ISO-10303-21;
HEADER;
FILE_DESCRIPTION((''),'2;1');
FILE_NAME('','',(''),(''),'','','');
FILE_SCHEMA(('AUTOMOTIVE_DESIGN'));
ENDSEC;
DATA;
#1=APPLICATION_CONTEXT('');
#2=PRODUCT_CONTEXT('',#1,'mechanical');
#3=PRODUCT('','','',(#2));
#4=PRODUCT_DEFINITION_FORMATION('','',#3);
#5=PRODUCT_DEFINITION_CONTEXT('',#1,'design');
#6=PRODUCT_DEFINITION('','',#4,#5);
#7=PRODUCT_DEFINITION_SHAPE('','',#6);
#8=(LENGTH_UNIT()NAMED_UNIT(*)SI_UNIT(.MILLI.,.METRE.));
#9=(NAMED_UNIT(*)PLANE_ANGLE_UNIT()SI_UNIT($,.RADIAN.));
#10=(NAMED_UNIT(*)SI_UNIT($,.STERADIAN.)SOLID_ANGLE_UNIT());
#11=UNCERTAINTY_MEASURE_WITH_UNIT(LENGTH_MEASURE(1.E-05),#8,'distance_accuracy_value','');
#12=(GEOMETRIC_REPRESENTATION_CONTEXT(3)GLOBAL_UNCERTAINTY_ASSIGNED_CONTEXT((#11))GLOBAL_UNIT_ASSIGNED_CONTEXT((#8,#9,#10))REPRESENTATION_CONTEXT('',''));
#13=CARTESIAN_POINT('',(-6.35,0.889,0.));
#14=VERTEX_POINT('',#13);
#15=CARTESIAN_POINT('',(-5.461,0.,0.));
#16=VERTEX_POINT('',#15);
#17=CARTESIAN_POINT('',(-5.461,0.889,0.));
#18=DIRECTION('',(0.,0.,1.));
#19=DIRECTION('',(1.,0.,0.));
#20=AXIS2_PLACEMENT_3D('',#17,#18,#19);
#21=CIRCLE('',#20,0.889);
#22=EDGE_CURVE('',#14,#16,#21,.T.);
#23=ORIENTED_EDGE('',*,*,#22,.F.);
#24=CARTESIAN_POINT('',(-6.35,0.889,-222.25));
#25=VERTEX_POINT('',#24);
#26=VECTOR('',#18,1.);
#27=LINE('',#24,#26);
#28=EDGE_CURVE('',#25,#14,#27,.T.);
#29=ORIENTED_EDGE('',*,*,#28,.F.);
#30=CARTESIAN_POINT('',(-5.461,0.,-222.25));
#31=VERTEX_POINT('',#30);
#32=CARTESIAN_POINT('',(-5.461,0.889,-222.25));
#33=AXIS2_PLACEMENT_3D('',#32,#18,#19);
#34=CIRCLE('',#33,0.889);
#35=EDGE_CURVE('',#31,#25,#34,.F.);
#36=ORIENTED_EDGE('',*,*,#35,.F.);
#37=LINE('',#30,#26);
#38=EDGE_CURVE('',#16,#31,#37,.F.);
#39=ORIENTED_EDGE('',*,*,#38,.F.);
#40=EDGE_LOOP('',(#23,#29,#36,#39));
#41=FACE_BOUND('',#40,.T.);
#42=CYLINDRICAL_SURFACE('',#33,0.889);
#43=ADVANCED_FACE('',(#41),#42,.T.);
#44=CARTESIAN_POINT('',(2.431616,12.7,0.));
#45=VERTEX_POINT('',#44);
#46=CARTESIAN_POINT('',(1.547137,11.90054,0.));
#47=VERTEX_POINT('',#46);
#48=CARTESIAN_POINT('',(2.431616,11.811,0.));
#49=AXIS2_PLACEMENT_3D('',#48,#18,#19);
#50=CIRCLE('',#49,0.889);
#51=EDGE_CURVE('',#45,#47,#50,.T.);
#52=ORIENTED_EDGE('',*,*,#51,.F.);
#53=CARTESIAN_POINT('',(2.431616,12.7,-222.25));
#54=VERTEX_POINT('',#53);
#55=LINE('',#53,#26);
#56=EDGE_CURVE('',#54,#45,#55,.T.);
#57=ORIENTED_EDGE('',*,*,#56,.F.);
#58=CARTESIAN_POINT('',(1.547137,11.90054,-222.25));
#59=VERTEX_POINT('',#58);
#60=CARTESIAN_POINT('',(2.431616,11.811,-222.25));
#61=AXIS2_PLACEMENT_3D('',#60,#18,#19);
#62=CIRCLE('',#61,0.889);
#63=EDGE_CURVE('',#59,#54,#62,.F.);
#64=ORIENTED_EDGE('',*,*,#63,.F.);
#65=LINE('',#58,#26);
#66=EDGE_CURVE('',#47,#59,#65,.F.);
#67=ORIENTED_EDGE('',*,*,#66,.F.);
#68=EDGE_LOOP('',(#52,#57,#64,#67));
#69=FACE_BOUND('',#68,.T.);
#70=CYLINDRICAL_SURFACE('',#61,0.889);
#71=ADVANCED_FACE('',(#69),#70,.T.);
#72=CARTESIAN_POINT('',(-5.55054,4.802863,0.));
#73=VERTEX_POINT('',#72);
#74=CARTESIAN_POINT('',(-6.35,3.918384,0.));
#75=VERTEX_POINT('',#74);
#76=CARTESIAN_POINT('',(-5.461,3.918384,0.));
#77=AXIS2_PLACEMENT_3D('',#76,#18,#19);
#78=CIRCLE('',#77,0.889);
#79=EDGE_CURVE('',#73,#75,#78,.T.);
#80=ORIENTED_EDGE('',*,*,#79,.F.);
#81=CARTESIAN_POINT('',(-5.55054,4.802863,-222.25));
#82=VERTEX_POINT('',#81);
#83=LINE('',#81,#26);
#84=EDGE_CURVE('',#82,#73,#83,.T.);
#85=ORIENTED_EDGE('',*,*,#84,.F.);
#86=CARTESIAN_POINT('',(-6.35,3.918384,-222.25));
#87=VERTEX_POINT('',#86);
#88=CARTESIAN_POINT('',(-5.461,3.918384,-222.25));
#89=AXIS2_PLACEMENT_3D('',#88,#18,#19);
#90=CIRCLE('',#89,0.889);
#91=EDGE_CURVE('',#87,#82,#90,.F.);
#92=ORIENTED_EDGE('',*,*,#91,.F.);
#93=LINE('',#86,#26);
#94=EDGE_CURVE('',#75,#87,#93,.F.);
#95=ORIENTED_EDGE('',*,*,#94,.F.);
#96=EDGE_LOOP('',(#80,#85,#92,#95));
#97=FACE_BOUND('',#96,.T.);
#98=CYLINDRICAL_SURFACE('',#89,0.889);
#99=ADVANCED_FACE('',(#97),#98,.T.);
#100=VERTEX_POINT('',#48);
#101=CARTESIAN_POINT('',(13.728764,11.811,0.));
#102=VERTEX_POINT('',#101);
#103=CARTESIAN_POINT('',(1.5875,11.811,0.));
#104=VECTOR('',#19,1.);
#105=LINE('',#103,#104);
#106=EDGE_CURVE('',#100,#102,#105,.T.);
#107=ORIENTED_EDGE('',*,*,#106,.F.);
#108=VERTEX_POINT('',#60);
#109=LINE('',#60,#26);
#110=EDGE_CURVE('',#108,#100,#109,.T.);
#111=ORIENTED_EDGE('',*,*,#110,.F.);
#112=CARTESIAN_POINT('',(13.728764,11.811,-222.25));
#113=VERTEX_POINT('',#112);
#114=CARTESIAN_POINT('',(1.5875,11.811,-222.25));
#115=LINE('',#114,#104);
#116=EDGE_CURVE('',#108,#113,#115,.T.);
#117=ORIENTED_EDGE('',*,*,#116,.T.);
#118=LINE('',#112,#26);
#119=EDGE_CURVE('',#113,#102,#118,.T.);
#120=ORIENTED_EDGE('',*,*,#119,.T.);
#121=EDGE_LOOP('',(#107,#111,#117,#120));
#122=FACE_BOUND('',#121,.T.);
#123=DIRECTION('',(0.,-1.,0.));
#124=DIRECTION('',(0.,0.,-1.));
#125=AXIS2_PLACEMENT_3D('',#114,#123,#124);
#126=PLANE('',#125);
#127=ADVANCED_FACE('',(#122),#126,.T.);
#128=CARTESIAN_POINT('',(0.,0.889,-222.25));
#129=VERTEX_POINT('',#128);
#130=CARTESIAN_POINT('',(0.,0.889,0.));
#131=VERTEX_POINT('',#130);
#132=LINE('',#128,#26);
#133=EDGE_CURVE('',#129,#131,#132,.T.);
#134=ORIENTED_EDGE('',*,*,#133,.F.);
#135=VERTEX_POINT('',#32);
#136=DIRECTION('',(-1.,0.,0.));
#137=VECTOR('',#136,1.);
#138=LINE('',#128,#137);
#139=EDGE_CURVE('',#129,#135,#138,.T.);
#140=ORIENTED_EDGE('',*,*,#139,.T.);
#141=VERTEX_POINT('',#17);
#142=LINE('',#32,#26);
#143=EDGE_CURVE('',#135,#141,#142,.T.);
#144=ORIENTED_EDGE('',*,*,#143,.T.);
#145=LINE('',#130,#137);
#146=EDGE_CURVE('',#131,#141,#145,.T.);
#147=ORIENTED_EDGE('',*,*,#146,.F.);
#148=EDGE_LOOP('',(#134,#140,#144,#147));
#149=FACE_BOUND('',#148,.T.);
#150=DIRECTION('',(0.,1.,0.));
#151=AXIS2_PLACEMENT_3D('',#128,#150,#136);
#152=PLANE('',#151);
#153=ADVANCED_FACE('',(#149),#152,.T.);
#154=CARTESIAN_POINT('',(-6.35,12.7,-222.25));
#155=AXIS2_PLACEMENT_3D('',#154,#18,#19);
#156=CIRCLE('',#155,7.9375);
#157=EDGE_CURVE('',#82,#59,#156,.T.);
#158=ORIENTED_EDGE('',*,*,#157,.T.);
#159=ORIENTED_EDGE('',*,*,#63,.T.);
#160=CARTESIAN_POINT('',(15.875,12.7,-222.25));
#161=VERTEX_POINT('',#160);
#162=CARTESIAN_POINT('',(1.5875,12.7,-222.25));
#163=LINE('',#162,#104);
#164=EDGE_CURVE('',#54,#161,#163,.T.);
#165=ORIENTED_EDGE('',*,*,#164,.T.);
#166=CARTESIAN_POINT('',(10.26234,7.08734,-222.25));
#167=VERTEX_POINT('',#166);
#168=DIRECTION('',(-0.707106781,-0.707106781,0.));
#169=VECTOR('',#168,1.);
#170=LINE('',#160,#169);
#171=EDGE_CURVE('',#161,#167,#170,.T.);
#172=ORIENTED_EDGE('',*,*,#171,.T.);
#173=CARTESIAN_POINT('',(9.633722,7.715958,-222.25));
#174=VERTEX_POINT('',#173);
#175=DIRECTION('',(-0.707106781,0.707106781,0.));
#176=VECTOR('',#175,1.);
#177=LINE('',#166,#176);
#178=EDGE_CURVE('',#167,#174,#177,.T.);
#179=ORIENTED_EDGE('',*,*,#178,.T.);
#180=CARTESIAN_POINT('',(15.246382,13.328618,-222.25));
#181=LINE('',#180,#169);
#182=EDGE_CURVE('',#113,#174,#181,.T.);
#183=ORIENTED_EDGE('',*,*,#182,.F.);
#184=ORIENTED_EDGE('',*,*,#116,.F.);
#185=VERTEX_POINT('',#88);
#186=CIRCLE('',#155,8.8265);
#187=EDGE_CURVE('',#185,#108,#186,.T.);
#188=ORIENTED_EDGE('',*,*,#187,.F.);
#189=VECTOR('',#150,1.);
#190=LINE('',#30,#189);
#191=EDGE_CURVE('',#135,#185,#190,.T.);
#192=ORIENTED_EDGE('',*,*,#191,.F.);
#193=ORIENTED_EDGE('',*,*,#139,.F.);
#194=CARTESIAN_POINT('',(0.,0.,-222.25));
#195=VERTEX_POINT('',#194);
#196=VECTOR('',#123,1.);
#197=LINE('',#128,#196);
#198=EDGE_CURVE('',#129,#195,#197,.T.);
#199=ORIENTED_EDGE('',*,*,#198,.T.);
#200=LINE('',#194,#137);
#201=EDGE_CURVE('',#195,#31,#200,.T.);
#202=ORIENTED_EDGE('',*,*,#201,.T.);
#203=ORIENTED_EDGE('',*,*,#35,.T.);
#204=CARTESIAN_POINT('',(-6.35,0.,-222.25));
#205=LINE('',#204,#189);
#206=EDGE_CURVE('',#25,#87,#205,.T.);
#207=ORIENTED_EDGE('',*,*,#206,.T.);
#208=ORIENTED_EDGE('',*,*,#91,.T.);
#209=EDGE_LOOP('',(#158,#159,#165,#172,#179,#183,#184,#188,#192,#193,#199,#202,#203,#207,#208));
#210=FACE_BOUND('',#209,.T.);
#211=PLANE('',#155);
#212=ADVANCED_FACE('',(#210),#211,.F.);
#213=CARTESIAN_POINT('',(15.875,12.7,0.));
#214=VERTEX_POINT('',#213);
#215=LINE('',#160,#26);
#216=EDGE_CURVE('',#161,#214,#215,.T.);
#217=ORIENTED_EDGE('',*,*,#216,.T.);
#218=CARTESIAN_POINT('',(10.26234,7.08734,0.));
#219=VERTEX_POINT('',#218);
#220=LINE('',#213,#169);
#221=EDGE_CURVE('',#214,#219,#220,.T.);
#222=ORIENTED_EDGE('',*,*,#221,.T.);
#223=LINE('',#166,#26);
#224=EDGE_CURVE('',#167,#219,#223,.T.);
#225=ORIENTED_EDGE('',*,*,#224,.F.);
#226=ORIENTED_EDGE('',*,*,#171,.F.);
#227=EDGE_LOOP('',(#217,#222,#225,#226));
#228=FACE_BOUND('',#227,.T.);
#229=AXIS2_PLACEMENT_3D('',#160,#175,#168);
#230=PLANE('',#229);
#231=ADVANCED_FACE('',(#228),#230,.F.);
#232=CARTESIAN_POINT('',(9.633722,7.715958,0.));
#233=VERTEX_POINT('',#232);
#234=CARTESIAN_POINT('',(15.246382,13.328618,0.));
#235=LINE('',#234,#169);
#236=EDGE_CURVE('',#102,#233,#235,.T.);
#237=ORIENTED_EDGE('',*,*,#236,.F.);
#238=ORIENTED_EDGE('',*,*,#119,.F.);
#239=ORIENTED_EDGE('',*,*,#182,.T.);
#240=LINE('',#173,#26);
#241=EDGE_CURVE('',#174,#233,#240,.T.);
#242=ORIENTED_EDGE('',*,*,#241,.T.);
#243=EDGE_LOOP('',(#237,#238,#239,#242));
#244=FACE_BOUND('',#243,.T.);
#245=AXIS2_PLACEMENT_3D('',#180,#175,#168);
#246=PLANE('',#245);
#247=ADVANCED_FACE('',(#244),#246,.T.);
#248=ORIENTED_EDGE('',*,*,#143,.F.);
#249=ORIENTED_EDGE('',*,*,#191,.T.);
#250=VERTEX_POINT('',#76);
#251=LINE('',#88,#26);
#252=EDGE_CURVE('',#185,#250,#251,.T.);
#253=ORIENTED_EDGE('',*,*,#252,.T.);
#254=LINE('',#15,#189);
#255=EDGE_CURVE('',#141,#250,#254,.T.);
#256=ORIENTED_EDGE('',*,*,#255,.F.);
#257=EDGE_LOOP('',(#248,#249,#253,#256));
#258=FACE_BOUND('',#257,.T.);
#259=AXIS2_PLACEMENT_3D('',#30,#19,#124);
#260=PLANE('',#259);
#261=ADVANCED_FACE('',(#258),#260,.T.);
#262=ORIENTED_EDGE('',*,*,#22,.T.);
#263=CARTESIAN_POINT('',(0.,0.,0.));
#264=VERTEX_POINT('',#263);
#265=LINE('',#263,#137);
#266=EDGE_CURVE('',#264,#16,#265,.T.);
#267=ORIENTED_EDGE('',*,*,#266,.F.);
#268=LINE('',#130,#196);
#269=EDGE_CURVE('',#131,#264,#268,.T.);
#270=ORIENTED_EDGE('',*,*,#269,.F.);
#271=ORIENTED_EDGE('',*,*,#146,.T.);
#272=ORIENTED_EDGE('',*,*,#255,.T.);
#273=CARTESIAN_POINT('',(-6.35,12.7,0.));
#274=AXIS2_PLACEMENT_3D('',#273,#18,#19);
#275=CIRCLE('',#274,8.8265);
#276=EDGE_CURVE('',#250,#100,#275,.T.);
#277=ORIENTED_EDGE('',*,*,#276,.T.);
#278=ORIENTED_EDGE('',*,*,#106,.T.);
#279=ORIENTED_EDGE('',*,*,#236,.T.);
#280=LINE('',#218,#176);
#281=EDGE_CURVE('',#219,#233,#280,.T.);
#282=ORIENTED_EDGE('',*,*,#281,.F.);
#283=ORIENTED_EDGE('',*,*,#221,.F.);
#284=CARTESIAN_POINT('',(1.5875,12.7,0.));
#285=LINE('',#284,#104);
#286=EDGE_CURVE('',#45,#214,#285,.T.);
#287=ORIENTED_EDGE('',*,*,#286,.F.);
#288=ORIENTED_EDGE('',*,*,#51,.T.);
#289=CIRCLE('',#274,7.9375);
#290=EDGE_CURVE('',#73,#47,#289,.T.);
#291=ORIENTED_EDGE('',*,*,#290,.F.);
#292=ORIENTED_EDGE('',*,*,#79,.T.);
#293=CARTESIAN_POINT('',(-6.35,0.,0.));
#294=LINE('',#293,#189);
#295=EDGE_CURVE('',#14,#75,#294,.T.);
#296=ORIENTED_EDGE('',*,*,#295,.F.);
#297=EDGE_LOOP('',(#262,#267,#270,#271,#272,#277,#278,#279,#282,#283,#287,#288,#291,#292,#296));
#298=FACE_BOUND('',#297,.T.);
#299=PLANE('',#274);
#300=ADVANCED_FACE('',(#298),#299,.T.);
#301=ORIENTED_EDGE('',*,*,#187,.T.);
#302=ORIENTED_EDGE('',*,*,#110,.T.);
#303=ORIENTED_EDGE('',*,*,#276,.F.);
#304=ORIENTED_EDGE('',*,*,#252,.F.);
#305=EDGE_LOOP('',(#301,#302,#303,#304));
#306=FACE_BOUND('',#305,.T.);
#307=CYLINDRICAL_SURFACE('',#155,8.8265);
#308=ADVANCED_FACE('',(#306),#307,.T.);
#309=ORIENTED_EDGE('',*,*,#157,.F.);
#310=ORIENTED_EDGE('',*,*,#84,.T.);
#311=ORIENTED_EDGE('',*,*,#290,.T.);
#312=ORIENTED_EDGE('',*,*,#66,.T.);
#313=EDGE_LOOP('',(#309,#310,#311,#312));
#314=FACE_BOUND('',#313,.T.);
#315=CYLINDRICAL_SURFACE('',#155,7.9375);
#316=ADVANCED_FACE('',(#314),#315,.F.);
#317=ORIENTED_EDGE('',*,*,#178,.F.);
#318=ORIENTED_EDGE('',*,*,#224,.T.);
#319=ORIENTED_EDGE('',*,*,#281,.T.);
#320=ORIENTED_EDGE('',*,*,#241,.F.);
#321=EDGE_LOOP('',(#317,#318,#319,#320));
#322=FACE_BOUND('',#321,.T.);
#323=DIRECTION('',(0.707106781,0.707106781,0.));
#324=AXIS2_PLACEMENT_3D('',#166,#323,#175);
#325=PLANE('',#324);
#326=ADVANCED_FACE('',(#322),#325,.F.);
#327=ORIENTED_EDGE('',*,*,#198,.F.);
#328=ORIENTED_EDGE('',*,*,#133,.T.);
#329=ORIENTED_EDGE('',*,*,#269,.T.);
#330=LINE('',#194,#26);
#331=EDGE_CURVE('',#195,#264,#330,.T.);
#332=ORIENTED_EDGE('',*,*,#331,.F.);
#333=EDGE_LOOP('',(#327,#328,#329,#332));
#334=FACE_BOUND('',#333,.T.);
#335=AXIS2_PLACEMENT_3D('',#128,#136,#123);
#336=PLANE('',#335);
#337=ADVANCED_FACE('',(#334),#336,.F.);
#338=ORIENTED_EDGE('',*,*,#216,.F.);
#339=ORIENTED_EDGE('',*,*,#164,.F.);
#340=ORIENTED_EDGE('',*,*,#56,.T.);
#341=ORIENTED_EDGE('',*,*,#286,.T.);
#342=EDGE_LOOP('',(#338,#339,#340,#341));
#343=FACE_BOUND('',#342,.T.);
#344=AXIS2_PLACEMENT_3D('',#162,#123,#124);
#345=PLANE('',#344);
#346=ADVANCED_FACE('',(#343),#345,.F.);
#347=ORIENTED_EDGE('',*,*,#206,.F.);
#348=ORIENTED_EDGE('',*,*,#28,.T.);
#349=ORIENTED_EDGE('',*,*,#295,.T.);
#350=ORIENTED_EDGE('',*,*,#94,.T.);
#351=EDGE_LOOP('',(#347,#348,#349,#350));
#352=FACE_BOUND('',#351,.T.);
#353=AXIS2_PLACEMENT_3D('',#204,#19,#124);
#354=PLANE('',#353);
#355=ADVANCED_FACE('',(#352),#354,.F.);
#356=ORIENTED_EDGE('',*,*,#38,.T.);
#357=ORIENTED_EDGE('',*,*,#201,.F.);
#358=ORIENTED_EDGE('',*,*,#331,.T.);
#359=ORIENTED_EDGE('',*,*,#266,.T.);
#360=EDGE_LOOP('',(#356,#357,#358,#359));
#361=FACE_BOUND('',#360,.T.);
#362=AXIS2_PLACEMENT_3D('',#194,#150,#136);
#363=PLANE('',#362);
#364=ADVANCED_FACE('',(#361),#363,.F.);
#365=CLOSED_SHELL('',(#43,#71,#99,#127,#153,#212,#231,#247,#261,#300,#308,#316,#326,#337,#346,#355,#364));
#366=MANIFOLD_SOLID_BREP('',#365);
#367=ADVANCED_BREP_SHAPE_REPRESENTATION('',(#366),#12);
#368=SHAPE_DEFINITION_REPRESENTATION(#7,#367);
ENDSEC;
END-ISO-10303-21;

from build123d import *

# Parameters (mm, degrees)
EXTRUDE_THIN1_DEPTH = 222.25
FILLET1_R           = 0.889


with BuildPart() as part:
    # Sketch1 → Extrude-Thin1 (new body)
    with BuildSketch(Plane.XY):
        with BuildLine():
            Line((0, 0), (-6.35, 0))
            Line((-6.35, 0), (-6.35, 4.7625))
            ThreePointArc((-6.35, 4.7625), (-0.737339924, 7.087339924), (1.5875, 12.7))
            Line((1.5875, 12.7), (15.875, 12.7))
            Line((15.875, 12.7), (10.262339924, 7.087339924))
            Line((10.262339924, 7.087339924), (9.633721996, 7.715957853))
            Line((9.633721996, 7.715957853), (13.728764143, 11.811))
            Line((13.728764143, 11.811), (2.431616096, 11.811))
            ThreePointArc((2.431616096, 11.811), (-0.108721996, 6.458721996), (-5.461, 3.918383904))
            Line((-5.461, 3.918383904), (-5.461, 0.889))
            Line((-5.461, 0.889), (0, 0.889))
            Line((0, 0.889), (0, 0))
        make_face()
    extrude(amount=-EXTRUDE_THIN1_DEPTH)

    # Fillet1
    fillet1_edges = [part.edges().sort_by_distance(p)[0] for p in [
        (-6.35, 0, -111.125),
        (-6.35, 4.7625, -111.125),
        (1.5875, 12.7, -111.125),
    ]]
    fillet(fillet1_edges, radius=FILLET1_R)


solid = part.part
